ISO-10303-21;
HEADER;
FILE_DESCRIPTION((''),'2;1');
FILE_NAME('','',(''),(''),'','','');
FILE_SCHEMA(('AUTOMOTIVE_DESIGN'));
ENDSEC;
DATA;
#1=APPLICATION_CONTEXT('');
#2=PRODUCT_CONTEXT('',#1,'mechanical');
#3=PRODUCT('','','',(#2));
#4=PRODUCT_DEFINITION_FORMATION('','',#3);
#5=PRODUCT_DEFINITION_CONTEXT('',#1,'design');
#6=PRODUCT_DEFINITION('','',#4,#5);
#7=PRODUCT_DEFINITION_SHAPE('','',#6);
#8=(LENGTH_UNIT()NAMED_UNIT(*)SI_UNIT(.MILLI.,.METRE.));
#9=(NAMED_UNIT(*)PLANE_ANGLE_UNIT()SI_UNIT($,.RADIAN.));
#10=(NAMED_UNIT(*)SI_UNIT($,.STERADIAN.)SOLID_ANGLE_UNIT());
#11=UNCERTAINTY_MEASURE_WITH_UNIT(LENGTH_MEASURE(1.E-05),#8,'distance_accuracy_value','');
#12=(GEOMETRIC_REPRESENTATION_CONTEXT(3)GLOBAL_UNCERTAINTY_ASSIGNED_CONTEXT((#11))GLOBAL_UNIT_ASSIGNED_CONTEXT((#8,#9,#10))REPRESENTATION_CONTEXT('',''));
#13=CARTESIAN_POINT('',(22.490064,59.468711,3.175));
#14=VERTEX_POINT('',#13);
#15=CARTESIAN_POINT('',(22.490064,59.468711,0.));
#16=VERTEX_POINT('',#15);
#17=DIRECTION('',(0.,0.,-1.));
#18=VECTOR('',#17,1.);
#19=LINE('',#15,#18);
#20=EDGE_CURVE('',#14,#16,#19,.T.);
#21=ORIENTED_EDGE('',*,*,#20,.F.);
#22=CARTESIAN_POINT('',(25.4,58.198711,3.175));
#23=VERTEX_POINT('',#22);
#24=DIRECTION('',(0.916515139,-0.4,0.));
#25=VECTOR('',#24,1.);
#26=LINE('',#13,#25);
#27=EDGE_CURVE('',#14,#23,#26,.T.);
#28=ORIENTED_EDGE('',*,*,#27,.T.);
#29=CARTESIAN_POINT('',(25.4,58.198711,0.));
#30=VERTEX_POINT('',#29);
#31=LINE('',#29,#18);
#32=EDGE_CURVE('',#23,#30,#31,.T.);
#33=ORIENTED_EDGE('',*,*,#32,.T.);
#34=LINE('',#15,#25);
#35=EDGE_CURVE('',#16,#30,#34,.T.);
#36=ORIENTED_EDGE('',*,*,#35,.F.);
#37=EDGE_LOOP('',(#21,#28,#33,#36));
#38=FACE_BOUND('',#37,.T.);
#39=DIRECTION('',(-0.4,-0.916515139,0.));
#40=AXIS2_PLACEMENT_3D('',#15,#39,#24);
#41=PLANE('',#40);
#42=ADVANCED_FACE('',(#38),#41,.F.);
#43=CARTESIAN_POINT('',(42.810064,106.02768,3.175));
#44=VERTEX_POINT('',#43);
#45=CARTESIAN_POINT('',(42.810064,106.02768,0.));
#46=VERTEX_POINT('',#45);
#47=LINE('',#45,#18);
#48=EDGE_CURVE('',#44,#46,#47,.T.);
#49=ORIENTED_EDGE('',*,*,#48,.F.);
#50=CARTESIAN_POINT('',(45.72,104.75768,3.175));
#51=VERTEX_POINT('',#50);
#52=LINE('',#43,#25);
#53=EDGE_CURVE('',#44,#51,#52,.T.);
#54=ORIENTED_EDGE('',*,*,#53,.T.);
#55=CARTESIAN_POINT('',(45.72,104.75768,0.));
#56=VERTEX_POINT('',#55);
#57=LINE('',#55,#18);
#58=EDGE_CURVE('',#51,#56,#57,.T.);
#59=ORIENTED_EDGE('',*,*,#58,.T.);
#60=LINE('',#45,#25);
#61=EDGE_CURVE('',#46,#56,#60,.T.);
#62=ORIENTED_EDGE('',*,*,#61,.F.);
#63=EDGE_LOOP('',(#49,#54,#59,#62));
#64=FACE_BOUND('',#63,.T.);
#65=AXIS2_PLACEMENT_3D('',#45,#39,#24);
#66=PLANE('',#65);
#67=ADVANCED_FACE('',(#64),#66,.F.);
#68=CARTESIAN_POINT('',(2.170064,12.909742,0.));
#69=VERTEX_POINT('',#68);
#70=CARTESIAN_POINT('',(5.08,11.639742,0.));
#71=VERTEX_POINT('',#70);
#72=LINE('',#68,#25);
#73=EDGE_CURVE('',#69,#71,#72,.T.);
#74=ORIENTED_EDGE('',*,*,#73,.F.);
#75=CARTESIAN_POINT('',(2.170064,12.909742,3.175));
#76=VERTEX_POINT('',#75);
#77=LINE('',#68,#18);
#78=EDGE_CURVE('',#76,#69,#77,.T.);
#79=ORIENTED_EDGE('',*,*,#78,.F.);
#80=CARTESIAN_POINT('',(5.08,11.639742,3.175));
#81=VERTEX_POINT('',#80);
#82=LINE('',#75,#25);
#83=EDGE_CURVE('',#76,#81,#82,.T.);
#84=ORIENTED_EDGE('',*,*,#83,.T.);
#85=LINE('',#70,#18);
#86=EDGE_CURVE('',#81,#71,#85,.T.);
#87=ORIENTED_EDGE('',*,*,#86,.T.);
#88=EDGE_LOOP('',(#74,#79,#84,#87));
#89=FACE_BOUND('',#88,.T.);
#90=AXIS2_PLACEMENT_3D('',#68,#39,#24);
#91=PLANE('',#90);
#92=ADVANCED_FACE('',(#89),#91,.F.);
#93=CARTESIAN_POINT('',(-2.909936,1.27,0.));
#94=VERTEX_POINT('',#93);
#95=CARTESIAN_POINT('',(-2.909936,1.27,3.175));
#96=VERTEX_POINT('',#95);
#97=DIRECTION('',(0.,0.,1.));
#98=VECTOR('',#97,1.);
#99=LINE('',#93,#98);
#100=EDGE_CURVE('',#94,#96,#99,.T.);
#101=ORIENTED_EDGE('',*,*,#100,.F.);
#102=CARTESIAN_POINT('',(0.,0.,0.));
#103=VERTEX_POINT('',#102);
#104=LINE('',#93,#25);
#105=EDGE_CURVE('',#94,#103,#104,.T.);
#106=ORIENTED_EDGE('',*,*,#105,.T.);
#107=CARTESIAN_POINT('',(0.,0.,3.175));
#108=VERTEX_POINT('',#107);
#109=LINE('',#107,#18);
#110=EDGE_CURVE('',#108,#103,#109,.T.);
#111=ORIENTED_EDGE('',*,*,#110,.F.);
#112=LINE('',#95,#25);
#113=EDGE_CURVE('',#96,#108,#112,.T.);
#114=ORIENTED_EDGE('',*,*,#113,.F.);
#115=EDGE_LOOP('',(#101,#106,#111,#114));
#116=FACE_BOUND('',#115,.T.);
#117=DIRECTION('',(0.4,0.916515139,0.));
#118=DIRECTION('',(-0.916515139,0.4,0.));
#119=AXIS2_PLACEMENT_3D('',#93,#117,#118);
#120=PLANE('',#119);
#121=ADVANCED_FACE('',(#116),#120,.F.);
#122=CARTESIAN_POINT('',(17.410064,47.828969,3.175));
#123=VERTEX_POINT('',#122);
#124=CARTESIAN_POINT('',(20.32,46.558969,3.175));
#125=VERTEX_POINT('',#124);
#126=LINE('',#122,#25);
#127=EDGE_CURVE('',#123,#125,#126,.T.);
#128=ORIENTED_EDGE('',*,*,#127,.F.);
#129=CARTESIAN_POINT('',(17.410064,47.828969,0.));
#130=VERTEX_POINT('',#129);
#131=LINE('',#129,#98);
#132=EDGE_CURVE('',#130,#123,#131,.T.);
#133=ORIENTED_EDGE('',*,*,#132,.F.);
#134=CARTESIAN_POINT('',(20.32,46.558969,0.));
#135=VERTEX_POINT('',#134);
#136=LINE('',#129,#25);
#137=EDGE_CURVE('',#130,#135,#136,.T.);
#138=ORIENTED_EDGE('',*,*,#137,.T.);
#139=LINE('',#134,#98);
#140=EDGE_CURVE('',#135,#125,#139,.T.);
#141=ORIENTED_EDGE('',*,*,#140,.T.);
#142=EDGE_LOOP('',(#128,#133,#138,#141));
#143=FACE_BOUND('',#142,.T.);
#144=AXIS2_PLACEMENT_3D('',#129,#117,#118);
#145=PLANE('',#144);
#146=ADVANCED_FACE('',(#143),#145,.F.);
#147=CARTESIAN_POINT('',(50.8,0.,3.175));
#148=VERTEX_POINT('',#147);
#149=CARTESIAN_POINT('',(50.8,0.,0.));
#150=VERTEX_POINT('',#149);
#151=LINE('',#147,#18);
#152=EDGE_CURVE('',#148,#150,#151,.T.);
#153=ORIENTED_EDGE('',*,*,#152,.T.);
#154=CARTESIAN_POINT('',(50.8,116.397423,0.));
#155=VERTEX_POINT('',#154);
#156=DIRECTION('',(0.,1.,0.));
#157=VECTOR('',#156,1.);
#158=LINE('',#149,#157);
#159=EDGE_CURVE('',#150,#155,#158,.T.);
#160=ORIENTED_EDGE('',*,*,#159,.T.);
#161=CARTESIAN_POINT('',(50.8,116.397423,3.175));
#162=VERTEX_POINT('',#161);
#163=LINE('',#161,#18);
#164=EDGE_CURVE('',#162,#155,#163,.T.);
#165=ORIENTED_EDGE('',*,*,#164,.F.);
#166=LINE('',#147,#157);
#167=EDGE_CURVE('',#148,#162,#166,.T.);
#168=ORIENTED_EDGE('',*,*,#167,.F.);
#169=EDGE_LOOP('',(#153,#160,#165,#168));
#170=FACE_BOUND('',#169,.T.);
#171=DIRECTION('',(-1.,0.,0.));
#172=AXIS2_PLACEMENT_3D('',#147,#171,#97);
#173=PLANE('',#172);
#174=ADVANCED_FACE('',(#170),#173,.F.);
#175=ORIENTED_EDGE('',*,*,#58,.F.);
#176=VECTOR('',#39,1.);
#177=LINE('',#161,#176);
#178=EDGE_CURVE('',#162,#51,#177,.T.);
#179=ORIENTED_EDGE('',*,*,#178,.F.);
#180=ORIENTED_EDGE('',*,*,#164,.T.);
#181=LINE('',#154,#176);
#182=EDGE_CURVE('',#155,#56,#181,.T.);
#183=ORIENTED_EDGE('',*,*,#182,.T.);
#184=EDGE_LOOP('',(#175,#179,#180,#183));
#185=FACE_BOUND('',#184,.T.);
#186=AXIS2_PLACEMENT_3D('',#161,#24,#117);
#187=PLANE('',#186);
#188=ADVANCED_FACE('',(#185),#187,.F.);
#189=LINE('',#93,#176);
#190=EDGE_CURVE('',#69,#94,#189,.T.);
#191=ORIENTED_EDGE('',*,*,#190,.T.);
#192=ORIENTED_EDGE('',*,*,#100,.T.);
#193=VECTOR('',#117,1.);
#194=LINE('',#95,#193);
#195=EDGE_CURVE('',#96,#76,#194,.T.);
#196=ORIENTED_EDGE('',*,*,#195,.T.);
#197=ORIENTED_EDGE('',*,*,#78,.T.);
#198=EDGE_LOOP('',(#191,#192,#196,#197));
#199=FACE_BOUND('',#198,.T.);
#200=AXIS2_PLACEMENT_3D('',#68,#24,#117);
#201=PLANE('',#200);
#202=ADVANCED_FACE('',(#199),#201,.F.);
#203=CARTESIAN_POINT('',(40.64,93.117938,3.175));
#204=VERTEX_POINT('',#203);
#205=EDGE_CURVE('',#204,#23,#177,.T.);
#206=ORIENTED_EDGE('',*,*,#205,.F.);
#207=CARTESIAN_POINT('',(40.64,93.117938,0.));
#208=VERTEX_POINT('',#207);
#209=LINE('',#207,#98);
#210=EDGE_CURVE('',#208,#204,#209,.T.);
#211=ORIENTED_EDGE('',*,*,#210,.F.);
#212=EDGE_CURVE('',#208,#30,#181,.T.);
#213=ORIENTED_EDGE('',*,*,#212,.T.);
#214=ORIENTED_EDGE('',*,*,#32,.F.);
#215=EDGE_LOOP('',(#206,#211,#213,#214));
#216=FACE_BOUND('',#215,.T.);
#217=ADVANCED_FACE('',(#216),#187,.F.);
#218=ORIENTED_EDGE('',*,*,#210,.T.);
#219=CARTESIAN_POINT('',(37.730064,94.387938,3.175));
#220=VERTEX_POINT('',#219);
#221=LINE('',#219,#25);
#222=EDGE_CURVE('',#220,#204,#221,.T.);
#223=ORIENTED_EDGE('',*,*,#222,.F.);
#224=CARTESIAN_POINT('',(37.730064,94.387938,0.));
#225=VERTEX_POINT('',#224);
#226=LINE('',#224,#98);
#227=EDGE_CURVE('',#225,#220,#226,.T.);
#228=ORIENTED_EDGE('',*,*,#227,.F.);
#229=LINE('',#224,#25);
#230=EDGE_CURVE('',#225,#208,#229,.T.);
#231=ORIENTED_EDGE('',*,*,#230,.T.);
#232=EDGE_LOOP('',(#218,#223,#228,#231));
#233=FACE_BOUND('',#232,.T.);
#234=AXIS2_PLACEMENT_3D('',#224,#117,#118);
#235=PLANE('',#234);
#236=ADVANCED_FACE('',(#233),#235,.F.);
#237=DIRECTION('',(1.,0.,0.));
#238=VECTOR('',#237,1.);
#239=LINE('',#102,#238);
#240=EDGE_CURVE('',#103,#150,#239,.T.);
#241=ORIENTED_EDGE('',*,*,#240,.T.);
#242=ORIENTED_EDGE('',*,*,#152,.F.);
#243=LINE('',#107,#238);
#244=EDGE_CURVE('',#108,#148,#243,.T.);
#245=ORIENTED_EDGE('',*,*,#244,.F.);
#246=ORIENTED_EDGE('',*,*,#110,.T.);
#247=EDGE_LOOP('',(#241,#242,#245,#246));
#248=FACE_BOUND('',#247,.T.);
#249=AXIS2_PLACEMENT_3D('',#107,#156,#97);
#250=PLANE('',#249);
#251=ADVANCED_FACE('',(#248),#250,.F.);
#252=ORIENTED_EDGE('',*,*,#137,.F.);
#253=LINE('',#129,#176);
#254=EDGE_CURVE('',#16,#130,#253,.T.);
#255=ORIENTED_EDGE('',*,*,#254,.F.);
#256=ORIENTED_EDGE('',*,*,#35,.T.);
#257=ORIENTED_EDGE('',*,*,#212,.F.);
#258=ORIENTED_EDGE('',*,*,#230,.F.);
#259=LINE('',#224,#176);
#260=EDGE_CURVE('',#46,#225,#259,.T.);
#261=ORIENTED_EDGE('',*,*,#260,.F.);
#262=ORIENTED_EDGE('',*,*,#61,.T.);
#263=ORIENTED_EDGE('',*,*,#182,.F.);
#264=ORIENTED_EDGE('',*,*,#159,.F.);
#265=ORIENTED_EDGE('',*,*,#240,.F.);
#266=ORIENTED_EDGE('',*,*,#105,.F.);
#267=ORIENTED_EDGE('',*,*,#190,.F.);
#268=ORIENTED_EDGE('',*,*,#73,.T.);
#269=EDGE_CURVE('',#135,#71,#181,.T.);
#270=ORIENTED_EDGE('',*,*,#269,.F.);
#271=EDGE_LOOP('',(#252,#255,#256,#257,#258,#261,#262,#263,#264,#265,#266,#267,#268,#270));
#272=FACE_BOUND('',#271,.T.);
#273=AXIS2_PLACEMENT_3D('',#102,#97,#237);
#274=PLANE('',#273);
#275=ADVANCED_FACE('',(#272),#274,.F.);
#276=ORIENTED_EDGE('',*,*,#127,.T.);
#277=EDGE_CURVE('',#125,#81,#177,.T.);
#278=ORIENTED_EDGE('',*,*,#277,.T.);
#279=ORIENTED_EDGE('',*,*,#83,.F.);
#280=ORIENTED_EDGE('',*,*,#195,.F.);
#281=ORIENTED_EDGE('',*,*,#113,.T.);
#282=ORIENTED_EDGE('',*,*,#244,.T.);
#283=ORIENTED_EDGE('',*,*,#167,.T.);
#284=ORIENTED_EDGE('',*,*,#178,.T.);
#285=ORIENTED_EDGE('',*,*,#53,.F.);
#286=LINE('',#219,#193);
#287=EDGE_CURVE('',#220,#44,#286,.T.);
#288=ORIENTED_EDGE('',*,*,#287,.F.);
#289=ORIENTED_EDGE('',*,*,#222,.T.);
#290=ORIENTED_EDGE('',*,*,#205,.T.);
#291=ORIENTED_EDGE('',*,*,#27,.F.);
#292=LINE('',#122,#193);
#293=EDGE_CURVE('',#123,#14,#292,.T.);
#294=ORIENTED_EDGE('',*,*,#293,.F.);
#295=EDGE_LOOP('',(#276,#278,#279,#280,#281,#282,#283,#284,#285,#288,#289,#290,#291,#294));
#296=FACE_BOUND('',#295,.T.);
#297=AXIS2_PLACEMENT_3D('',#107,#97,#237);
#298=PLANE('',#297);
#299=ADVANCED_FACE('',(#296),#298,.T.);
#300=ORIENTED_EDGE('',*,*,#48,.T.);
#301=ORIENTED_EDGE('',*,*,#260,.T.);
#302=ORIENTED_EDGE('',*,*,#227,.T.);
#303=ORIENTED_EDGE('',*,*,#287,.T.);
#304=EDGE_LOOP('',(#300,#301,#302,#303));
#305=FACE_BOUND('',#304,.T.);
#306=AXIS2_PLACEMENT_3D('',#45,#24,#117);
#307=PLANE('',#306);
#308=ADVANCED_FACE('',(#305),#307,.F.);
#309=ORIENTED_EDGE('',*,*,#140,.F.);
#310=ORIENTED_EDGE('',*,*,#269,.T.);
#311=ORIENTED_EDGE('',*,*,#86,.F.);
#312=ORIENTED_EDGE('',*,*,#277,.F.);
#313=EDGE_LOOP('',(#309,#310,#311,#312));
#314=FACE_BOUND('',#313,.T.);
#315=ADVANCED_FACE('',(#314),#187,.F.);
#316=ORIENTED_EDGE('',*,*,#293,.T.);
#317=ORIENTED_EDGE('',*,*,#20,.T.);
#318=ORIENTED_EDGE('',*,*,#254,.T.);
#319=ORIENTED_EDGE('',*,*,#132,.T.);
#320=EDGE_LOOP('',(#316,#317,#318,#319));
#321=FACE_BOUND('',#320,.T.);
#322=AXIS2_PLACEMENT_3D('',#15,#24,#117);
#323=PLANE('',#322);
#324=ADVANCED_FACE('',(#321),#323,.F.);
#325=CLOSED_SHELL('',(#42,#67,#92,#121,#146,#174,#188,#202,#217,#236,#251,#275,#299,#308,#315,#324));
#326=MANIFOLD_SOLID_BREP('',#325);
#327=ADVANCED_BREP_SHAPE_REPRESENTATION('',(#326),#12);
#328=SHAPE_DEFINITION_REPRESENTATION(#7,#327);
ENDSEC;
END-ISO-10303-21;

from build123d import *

# Parameters (mm, degrees)
EXTRUDE1_DEPTH  = 3.175
SKETCH2_W       = 3.175
SKETCH2_H       = 12.7
EXTRUDE2_DEPTH  = 3.175
LPATTERN1_COUNT = 3
LPATTERN1_PITCH = 50.8


with BuildPart() as part:
    # Sketch1 → Extrude1 (new body)
    with BuildSketch(Plane.XY):
        Polygon((0, 0), (50.8, 0), (50.8, 116.397422652), align=None)
    extrude(amount=EXTRUDE1_DEPTH)

    # Sketch2 → Extrude2 (add)
    with BuildSketch(Plane(origin=(0, 0, 0), x_dir=(0, 0, 1), z_dir=(-0.916515139, 0.4, 0))):
        with Locations((1.5875, 6.35)):
            Rectangle(SKETCH2_W, SKETCH2_H)
    extrude2 = extrude(amount=EXTRUDE2_DEPTH)

    # LPattern1: Extrude2 ×3
    with Locations(*[Vector(0.4, 0.916515139, 0) * (i * LPATTERN1_PITCH) for i in range(1, LPATTERN1_COUNT)]):
        add(extrude2)


solid = part.part
